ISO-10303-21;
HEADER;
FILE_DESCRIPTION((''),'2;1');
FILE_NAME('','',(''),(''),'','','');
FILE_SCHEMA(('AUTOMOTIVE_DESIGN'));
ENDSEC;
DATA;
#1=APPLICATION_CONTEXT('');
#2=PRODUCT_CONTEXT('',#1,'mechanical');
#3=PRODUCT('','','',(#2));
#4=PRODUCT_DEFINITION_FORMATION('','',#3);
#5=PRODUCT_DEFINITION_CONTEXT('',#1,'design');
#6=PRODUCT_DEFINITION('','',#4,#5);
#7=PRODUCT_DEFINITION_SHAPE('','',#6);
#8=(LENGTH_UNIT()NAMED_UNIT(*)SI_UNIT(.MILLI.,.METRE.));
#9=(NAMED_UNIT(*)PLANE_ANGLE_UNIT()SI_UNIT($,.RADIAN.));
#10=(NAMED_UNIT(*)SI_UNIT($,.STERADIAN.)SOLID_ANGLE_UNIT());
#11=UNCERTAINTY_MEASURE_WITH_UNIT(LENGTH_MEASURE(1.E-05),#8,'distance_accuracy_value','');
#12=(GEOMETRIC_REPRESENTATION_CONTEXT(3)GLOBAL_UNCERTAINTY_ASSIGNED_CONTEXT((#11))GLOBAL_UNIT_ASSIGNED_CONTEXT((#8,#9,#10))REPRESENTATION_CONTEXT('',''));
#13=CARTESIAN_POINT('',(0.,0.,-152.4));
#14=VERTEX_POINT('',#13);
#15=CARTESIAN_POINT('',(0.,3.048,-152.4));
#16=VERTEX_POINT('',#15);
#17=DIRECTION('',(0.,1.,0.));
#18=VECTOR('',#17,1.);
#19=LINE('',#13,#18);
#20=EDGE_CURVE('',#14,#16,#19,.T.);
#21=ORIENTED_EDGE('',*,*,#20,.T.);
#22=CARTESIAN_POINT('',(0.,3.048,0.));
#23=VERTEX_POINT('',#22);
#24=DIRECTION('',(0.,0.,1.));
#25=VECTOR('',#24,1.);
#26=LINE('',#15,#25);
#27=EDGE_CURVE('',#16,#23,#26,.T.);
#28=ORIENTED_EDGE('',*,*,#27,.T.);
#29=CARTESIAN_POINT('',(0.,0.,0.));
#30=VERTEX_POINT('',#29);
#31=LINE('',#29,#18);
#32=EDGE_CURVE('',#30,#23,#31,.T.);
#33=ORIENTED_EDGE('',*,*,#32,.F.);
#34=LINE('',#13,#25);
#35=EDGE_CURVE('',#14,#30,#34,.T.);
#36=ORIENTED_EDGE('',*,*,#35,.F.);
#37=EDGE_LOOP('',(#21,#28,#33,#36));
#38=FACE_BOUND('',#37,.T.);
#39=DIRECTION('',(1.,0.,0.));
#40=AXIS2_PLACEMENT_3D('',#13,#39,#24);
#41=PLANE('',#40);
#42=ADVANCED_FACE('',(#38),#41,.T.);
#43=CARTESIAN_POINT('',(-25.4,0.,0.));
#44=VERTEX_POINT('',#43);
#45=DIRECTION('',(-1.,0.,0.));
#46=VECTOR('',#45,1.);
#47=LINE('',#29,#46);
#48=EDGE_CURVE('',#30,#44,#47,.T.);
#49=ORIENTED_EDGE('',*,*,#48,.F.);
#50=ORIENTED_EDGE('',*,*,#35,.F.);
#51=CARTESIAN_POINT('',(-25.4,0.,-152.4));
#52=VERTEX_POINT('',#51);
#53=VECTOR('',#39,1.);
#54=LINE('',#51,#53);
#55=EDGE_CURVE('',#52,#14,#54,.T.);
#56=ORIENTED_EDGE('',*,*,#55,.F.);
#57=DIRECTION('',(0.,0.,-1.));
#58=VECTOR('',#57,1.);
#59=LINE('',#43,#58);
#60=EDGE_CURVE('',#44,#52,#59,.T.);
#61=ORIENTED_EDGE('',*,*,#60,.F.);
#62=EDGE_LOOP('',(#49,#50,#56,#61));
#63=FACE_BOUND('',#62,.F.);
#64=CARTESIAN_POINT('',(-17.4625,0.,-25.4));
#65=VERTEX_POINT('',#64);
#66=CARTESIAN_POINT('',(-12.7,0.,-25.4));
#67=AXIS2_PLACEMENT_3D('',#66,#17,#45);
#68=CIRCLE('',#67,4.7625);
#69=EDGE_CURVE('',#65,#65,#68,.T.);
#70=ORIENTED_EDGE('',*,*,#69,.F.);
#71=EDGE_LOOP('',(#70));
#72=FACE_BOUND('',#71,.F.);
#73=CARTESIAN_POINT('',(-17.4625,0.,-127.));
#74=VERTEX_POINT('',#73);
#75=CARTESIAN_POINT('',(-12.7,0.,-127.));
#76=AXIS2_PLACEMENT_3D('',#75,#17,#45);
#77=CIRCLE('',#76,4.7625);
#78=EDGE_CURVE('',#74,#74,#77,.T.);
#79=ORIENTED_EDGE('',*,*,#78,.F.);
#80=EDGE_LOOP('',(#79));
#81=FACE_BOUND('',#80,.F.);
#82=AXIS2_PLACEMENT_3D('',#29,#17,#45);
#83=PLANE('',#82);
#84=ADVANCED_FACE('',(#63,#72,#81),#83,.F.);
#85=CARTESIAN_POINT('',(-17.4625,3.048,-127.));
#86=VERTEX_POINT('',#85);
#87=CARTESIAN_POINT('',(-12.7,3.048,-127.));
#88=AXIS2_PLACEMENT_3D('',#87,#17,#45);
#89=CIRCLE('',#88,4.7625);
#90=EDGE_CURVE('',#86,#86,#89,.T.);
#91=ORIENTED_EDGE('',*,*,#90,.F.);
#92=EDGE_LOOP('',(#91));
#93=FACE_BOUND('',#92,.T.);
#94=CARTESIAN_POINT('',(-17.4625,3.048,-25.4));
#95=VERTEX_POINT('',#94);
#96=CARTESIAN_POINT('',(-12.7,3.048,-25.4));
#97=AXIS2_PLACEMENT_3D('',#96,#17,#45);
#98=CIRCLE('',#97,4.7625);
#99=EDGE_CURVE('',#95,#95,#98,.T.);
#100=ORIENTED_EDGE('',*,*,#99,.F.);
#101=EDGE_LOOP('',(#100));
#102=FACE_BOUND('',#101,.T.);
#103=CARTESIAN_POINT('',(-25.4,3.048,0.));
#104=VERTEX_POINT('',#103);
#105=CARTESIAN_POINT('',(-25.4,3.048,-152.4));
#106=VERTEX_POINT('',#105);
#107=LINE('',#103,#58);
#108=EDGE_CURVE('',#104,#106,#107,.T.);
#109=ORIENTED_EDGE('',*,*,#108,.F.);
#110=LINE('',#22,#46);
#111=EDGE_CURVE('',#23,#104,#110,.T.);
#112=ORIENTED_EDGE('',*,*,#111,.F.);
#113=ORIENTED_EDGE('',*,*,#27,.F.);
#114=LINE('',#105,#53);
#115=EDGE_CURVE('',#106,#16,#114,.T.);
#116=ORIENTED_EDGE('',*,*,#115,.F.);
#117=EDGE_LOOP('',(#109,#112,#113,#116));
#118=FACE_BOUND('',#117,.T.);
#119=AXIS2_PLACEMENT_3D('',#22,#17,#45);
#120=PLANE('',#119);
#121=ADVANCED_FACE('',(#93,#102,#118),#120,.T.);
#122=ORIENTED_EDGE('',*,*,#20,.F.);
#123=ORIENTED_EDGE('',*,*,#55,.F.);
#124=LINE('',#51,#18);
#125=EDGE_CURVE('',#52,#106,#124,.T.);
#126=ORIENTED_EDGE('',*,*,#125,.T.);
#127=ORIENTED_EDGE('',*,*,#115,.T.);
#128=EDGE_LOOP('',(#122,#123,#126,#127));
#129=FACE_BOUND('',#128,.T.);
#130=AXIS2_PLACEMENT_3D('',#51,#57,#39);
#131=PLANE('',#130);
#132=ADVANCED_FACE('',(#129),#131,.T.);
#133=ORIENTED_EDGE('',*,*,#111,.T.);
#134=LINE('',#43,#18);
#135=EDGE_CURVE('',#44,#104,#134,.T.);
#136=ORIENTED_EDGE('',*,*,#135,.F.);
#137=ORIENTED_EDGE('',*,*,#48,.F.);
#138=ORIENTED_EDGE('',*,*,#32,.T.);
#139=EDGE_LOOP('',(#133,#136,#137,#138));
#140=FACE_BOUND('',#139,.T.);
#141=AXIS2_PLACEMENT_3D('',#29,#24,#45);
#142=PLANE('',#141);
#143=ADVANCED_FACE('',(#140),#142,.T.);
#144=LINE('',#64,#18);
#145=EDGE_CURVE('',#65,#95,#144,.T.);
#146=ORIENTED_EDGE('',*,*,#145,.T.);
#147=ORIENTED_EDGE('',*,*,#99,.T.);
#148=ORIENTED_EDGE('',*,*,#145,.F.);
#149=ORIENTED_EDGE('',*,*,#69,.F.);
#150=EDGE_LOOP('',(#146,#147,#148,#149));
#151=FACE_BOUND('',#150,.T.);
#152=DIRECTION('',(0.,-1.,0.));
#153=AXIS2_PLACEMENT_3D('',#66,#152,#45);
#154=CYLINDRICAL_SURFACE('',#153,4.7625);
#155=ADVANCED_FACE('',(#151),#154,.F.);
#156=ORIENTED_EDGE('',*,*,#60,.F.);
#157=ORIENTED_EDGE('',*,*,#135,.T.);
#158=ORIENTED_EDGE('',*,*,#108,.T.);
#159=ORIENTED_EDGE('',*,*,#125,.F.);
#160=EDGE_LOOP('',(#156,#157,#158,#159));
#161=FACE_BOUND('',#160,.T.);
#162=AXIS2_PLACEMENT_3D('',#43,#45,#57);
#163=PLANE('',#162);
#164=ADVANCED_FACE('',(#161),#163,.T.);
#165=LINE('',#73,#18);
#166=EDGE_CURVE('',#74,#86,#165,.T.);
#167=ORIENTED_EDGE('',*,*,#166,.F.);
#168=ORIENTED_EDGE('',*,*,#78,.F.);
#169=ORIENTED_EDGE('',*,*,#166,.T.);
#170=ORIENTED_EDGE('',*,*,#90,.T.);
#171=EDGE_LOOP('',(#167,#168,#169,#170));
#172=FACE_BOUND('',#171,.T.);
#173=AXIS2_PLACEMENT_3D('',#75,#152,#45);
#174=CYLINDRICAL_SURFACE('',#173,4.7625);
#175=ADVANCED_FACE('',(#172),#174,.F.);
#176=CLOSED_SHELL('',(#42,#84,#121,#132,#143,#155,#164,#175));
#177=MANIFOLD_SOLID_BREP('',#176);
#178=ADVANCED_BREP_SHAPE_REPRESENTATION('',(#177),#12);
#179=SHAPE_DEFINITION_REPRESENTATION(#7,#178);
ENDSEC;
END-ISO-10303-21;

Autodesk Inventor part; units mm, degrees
ref_plane "YZ Plane" through (0, 0, 0) normal (1, 0, 0) x (0, 1, 0)
ref_plane "XZ Plane" through (0, 0, 0) normal (0, 1, 0) x (-1, 0, 0)
ref_plane "XY Plane" through (0, 0, 0) normal (0, 0, 1) x (1, 0, 0)
sketch "Sketch1" plane through (0, 0, 0) normal (0, 1, 0) x (-1, 0, 0)
  line L0 (0, 0) -> (25.4, 0)
  line L1 (25.4, 0) -> (25.4, -152.4)
  line L2 (25.4, -152.4) -> (0, -152.4)
  line L3 (0, -152.4) -> (0, 0)
  circle A0 centre (12.7, -25.4) radius 4.7625
  circle A1 centre (12.7, -127) radius 4.7625
  dimension "d0" = 25.4
  dimension "d1" = 152.4
  dimension "d2" = 9.525
  dimension "d3" = 9.525
extrude "Plate1" add sketch "Sketch1" along normal blind 3.048
equation "\"d4\" = Thickness"
equation "\"BendRadius\" = Thickness"
equation "\"BendReliefWidth\" = Thickness"
equation "\"BendReliefDepth\" = 0.5 * Thickness"
equation "\"CornerReliefSize\" = 4 * Thickness"
equation "\"MinimumRemnant\" = 2 * Thickness"
equation "\"TransitionRadius\" = BendRadius"
equation "\"JacobiRadiusSize\" = BendRadius"
equation "\"GapSize\" = Thickness"
equation "\"Thickness\" = 3.048"
properties part number "6x1"
